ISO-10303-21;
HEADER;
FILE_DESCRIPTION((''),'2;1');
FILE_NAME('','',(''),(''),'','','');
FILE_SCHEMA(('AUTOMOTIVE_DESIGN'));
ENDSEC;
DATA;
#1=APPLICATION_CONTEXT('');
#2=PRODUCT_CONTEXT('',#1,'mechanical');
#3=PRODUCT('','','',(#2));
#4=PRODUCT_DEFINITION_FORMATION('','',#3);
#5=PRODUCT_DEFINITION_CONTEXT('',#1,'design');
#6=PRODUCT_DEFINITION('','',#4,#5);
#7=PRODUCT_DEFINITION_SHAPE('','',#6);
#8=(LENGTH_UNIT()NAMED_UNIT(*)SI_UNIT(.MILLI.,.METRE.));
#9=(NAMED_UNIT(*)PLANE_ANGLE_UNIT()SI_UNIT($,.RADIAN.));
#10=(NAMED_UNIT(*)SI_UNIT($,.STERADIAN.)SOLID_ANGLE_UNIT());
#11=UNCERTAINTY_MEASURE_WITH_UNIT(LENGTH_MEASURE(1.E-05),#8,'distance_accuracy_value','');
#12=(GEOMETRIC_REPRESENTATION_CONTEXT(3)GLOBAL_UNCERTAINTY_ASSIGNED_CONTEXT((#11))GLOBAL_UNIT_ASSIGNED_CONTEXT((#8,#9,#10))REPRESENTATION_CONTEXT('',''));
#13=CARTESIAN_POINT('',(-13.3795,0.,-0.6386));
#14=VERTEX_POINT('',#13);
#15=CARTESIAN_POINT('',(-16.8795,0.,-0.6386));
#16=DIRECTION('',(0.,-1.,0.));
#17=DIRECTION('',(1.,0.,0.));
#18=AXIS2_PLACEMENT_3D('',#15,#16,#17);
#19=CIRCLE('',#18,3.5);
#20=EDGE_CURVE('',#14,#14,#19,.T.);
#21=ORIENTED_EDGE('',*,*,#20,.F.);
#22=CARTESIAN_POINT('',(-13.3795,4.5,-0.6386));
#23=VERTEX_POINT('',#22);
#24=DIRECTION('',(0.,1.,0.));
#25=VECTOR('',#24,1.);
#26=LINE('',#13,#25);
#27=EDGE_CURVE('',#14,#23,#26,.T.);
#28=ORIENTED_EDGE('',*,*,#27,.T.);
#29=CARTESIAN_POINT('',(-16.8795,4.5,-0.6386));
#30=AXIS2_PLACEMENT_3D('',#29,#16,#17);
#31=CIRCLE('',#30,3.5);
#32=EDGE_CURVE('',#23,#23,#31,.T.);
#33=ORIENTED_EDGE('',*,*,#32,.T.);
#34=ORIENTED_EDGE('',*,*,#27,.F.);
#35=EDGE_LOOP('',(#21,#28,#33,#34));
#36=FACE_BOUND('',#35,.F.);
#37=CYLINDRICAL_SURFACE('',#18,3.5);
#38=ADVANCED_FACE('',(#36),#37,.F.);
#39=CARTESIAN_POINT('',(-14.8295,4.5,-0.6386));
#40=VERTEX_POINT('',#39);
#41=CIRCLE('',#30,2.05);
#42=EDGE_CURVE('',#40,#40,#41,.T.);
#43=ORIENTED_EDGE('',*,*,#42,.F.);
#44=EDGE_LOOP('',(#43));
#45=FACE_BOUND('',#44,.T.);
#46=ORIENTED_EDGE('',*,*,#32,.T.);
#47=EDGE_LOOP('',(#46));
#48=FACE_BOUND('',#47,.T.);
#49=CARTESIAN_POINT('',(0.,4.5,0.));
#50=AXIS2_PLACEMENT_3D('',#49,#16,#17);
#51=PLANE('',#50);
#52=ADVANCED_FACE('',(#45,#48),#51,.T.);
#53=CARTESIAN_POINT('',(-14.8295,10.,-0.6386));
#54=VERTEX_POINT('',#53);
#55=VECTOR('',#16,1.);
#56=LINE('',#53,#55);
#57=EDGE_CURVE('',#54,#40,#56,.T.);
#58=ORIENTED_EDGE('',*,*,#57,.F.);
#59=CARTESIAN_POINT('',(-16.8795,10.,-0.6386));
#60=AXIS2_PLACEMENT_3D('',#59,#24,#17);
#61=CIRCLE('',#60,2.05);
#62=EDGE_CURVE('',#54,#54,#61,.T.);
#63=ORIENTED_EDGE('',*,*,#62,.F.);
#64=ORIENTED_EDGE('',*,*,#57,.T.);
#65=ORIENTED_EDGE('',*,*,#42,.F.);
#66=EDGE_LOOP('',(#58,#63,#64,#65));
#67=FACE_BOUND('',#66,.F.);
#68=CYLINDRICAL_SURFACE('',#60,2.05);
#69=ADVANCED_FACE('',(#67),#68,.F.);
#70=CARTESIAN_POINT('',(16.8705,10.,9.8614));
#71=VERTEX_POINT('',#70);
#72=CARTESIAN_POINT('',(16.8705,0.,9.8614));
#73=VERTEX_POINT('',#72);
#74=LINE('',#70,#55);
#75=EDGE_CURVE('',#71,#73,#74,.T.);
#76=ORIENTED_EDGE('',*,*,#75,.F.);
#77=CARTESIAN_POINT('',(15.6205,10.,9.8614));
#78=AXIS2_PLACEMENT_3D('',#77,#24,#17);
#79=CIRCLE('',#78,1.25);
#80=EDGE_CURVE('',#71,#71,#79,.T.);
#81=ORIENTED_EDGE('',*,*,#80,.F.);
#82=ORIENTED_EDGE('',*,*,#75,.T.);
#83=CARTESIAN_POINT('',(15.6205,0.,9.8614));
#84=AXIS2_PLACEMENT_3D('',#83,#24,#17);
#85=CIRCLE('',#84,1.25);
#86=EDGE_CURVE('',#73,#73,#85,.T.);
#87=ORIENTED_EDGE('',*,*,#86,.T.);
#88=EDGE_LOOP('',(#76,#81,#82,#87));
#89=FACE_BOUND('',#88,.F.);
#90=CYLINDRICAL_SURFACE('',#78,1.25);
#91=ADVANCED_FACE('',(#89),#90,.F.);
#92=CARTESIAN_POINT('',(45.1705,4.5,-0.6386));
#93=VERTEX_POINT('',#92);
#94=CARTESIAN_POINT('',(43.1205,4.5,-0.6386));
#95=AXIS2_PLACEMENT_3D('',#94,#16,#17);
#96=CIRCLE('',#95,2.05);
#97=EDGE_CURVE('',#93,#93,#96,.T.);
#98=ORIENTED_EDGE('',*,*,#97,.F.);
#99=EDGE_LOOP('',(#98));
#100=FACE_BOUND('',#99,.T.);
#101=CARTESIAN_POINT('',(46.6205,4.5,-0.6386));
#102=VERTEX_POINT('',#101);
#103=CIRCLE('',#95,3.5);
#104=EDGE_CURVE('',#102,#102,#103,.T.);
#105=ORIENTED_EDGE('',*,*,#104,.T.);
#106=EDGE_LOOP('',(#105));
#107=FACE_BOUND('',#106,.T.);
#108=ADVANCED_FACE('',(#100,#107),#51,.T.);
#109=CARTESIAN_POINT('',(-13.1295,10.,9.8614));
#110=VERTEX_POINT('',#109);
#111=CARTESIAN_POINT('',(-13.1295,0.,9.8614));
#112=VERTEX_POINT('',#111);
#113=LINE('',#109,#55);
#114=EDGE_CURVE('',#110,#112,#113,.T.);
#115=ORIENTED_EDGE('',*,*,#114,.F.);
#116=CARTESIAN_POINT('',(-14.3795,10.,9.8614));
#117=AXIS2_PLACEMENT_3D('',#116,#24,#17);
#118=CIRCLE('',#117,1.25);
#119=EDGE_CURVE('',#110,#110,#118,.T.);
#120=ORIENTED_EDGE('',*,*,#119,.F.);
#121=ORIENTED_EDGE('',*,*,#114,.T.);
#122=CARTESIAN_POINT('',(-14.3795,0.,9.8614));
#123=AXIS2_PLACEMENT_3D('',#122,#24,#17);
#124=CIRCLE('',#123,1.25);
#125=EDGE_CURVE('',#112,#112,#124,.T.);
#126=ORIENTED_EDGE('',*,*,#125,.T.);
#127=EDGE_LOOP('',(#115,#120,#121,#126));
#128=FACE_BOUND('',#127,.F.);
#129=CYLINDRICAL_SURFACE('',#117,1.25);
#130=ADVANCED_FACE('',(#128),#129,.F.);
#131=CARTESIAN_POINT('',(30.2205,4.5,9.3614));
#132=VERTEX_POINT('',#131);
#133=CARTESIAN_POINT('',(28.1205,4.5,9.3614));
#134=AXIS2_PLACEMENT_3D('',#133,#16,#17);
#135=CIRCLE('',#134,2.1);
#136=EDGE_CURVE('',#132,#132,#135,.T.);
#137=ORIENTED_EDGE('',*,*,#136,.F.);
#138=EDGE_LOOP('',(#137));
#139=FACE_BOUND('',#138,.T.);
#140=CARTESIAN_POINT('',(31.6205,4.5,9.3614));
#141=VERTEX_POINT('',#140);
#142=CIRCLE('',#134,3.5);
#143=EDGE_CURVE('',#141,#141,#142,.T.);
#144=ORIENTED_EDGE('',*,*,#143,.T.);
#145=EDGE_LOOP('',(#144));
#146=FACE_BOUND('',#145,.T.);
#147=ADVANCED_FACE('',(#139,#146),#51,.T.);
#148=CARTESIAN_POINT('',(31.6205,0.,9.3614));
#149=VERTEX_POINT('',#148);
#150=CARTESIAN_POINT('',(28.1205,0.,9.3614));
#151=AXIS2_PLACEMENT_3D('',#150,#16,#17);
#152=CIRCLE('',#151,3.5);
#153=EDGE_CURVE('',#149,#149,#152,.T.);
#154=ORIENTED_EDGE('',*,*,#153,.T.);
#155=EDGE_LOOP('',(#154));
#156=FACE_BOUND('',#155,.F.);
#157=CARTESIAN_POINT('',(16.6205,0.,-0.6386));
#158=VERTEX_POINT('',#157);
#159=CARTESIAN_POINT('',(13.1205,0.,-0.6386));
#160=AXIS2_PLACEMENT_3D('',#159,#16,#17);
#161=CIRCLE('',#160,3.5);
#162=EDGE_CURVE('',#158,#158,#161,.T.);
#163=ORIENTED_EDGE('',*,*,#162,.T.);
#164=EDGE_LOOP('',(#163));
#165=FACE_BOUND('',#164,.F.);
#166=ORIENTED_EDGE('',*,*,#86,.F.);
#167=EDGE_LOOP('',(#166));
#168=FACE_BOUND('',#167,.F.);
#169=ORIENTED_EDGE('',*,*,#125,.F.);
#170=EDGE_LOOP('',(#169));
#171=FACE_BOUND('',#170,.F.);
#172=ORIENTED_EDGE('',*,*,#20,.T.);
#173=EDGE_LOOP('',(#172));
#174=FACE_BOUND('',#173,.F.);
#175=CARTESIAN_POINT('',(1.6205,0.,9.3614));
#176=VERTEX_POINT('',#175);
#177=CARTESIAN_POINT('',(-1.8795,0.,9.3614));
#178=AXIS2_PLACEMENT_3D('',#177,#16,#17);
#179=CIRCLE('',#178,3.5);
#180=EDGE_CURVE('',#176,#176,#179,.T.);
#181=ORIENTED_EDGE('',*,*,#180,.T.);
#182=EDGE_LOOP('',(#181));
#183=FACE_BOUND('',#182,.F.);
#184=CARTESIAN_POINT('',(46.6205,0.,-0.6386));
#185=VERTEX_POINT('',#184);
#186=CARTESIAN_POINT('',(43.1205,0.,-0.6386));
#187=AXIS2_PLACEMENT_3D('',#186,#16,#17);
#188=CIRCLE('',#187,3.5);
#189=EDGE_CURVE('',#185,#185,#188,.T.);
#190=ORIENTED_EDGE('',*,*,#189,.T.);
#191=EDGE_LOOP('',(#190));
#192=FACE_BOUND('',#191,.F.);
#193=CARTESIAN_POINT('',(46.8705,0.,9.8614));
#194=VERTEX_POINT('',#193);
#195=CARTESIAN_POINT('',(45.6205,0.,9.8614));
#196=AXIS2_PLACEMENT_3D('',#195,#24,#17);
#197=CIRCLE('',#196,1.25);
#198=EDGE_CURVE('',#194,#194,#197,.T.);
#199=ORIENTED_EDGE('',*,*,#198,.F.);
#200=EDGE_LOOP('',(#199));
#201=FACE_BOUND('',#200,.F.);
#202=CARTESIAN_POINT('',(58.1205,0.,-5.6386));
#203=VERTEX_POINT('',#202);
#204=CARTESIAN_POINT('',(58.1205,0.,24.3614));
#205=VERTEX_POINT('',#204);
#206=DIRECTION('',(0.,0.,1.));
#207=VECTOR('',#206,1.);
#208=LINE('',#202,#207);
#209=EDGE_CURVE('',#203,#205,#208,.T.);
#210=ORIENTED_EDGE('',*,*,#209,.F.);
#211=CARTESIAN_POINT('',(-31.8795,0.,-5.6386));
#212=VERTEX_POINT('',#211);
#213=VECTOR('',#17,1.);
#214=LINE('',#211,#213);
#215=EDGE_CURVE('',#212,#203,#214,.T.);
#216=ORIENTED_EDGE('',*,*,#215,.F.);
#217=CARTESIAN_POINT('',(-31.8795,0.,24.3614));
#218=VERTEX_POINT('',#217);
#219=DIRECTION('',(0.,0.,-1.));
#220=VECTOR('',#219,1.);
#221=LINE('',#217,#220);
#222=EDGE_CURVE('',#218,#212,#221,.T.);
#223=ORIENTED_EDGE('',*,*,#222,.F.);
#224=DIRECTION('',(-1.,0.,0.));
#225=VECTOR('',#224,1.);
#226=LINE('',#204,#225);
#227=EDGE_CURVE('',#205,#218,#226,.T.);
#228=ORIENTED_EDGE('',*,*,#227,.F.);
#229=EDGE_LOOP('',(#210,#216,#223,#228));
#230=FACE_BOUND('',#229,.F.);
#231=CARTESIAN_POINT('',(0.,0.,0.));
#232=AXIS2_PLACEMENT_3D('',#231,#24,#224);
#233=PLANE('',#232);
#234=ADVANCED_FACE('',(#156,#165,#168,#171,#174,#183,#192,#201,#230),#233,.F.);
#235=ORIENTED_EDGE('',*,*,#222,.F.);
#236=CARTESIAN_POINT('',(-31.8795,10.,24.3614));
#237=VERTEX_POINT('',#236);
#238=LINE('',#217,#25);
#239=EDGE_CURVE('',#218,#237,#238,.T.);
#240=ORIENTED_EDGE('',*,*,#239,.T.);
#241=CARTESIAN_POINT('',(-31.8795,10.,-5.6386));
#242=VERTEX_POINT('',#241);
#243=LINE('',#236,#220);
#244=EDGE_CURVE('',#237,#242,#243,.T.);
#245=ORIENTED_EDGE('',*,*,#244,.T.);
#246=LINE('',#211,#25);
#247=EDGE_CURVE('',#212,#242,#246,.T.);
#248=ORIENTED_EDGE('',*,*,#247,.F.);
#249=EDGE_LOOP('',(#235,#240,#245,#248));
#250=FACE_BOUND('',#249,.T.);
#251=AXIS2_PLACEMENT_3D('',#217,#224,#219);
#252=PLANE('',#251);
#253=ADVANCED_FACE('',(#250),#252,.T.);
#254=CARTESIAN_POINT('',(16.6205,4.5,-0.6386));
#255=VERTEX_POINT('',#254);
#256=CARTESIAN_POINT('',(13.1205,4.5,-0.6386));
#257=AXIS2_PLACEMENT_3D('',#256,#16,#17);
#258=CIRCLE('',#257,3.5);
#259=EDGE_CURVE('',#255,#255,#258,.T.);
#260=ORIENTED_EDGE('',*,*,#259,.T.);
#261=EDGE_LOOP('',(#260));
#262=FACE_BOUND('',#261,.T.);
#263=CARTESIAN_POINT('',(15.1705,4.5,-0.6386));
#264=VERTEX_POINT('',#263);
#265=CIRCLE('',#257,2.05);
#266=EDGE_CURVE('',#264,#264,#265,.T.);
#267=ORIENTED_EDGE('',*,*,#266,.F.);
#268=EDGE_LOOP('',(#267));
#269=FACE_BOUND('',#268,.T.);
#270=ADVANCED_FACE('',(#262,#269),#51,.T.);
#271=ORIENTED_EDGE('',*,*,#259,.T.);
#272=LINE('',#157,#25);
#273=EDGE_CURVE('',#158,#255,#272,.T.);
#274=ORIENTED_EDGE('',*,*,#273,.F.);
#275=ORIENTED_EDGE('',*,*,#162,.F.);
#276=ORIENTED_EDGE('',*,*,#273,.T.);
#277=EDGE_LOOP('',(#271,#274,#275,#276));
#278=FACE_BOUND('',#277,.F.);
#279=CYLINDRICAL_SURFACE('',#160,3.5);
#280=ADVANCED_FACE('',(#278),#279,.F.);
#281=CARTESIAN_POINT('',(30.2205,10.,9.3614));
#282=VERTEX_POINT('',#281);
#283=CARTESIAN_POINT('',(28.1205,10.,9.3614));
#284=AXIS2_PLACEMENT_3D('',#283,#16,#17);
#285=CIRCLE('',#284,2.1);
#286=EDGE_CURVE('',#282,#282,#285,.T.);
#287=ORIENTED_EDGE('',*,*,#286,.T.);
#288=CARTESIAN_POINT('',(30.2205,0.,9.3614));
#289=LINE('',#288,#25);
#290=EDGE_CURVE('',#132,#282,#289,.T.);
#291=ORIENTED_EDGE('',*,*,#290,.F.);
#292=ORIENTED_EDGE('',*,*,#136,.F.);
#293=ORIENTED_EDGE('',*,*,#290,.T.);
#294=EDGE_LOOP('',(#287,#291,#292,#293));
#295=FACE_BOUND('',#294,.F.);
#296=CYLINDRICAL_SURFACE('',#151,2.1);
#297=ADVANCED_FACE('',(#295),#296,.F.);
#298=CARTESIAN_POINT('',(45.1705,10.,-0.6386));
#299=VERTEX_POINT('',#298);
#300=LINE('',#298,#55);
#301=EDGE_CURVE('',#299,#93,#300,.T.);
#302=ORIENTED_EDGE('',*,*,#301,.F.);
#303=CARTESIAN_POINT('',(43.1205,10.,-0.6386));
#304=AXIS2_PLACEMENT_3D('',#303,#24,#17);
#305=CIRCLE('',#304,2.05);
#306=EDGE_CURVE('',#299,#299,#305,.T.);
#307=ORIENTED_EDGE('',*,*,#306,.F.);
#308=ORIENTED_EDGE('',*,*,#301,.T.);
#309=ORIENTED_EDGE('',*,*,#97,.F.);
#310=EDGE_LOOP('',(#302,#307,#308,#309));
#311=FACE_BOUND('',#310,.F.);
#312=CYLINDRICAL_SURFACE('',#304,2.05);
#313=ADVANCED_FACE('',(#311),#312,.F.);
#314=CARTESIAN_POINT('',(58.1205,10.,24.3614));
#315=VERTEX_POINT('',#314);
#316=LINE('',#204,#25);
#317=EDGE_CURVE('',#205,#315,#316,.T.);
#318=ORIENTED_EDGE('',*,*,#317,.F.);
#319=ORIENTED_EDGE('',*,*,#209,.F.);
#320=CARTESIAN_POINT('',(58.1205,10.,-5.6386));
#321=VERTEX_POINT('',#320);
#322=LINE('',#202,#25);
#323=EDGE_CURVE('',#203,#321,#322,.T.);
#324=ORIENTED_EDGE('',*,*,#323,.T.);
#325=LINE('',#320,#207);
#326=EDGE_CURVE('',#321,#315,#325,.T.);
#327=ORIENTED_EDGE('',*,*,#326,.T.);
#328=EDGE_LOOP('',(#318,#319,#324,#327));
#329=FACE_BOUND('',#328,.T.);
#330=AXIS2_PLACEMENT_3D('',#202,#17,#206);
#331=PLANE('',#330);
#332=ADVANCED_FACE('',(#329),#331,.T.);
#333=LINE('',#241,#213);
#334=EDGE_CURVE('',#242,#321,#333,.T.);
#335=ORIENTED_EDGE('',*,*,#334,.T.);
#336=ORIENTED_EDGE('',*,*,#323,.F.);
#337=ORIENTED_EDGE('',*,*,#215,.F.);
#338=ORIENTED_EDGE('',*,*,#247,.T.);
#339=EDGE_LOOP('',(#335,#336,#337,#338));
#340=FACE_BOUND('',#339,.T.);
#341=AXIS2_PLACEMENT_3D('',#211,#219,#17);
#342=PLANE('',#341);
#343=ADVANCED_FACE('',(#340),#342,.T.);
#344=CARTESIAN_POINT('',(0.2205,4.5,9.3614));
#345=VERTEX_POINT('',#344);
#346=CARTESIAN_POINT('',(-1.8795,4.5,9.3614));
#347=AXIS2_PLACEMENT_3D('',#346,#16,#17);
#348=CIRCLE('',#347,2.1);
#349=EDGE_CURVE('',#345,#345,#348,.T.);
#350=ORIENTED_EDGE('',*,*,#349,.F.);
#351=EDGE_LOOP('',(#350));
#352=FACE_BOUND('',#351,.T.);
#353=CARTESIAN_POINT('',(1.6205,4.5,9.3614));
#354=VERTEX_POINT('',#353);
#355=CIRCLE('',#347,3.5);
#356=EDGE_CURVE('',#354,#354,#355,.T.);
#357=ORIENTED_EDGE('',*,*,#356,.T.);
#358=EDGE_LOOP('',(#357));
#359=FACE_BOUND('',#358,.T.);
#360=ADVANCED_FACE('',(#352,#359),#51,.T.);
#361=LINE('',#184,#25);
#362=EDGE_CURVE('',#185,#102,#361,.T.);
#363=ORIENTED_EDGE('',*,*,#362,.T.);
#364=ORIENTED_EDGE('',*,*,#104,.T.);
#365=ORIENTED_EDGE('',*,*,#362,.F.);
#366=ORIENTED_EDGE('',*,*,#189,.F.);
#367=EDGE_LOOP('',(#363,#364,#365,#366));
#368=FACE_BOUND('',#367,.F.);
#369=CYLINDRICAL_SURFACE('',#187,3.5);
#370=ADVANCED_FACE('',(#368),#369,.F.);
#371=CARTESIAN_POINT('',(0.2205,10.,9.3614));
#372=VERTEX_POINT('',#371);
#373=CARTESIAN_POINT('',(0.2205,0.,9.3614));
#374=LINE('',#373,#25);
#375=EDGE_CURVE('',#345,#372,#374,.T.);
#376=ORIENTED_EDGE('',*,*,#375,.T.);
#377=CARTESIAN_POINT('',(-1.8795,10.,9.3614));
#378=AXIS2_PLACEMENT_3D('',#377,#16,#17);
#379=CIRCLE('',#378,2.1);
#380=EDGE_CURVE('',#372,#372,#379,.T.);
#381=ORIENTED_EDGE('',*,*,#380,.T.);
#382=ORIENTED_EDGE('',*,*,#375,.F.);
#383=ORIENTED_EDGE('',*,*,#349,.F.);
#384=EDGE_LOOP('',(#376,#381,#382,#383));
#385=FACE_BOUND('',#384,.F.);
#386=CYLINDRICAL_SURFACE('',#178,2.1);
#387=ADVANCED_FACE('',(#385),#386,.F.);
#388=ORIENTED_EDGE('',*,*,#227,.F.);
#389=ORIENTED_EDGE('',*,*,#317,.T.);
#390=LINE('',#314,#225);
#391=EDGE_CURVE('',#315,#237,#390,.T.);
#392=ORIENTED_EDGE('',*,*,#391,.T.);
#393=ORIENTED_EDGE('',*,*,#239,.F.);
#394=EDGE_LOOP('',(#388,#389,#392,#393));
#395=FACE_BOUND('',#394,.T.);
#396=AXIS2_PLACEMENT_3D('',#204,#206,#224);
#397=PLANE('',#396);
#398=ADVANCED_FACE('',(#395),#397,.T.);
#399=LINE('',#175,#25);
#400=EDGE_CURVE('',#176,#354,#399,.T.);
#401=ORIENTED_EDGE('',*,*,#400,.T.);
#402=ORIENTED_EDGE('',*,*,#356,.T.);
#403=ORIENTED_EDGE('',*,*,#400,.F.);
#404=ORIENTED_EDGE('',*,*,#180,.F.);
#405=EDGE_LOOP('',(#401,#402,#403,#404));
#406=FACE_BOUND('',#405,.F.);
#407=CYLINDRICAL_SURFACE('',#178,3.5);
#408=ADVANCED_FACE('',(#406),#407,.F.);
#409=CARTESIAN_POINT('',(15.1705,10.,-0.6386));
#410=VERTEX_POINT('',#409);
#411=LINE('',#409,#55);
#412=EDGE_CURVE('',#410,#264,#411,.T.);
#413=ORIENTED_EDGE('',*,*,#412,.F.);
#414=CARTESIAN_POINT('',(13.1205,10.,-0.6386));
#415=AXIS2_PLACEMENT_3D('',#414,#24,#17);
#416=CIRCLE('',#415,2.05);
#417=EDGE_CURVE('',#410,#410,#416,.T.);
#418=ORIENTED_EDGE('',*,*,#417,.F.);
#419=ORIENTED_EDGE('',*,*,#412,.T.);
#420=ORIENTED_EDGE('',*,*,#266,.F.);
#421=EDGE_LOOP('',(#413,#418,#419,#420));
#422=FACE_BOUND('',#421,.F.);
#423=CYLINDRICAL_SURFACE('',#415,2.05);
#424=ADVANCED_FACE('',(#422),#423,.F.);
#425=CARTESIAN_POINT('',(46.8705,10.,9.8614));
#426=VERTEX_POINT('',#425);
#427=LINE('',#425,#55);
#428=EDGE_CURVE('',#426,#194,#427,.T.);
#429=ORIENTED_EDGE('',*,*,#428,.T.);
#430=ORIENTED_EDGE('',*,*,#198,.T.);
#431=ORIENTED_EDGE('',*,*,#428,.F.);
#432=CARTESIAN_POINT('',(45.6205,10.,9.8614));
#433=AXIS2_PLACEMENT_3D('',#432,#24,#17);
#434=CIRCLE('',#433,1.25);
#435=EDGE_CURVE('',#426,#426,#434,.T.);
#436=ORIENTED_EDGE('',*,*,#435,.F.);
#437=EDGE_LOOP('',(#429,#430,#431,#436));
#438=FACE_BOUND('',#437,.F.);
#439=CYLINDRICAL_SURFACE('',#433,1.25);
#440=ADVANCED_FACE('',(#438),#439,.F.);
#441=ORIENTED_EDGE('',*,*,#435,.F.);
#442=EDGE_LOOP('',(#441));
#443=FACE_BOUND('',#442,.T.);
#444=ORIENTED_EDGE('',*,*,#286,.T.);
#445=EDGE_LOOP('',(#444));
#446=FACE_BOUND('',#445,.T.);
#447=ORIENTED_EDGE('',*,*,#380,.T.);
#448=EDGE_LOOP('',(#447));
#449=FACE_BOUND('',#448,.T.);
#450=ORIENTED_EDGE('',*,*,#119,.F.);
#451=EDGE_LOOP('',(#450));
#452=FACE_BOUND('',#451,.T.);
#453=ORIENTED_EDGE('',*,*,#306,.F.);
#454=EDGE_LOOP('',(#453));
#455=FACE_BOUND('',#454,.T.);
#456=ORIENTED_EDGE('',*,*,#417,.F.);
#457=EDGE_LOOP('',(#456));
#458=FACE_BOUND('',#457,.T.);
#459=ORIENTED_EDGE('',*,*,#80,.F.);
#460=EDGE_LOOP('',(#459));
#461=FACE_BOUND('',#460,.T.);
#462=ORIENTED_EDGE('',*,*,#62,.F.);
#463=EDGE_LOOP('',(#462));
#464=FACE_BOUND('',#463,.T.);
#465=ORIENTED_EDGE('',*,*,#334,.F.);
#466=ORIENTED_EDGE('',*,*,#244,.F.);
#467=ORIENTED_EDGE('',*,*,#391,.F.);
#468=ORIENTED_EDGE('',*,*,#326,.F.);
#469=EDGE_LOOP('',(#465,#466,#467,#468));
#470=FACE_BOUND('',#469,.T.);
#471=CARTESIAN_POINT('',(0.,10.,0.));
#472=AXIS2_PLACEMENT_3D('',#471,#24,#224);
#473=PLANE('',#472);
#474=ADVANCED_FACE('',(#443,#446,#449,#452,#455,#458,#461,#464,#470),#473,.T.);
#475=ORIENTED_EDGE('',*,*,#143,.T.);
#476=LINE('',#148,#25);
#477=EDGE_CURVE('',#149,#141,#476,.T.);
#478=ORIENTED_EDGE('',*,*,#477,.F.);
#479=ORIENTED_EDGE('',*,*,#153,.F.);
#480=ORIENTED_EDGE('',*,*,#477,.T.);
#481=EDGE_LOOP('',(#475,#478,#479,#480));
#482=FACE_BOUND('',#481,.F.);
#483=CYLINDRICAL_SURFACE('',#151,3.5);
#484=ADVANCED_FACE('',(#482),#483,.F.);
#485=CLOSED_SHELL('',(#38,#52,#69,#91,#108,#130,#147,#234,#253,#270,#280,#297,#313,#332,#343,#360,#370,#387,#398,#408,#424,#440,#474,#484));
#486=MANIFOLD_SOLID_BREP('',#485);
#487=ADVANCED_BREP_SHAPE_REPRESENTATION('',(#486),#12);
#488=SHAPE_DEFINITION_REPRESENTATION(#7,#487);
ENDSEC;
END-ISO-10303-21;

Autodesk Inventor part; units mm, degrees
ref_plane "YZ Plane" through (0, 0, 0) normal (1, 0, 0) x (0, 1, 0)
ref_plane "XZ Plane" through (0, 0, 0) normal (0, 1, 0) x (-1, 0, 0)
ref_plane "XY Plane" through (0, 0, 0) normal (0, 0, 1) x (1, 0, 0)
sketch "Sketch1" plane through (0, 0, 0) normal (0, 1, 0) x (-1, 0, 0)
  line L0 (31.8795, -5.6386) -> (-58.1205, -5.6386)
  line L1 (-58.1205, -5.6386) -> (-58.1205, 24.3614)
  line L2 (-58.1205, 24.3614) -> (31.8795, 24.3614)
  line L3 (31.8795, 24.3614) -> (31.8795, -5.6386)
  point P0 (0, 0)
  dimension "d0" = 90
  dimension "d5" = 30
extrude "Extrusion1" add sketch "Sketch1" along normal blind 10
sketch "Sketch2" plane through (0, 10, 0) normal (0, 1, 0) x (1, 0, 0)
  line L0 (58.1205, 5.6386) -> (-31.8795, 5.6386) projected
  line L1 (-31.8795, 5.6386) -> (-31.8795, -24.3614) projected
  circle A0 centre (-16.8795, 0.6386) radius 2.05
  circle A1 centre (13.1205, 0.6386) radius 2.05
  circle A2 centre (43.1205, 0.6386) radius 2.05
  point P0 (0, 0)
  dimension "d8" = 4.1
  dimension "d10" = 4.1
  dimension "d11" = 4.1
  dimension "d12" = 5
  dimension "d13" = 5
  dimension "d14" = 5
  dimension "d15" = 15
  dimension "d16" = 30
  dimension "d17" = 30
extrude "Extrusion2" cut sketch "Sketch2" against normal blind 10
sketch "Sketch4" plane through (0, 0, 0) normal (0, -1, 0) x (1, 0, 0)
  circle A0 centre (13.1205, -0.6386) radius 2.05 projected
  circle A1 centre (-16.8795, -0.6386) radius 2.05 projected
  circle A2 centre (43.1205, -0.6386) radius 2.05 projected
  circle A3 centre (-16.8795, -0.6386) radius 3.5
  circle A4 centre (13.1205, -0.6386) radius 3.5
  circle A5 centre (43.1205, -0.6386) radius 3.5
  point P0 (0, 0)
  dimension "d26" = 7
  dimension "d28" = 7
  dimension "d29" = 7
extrude "Extrusion4" cut sketch "Sketch4" against normal blind 4.5
sketch "Sketch5" plane through (0, 0, 0) normal (0, -1, 0) x (1, 0, 0)
  line L0 (58.1205, -5.6386) -> (58.1205, 24.3614) projected
  line L1 (58.1205, 24.3614) -> (-31.8795, 24.3614) projected
  line L2 (-31.8795, 24.3614) -> (-31.8795, -5.6386) projected
  circle A0 centre (-1.8795, 9.3614) radius 2.1
  circle A1 centre (28.1205, 9.3614) radius 2.1
  point P0 (0, 0)
  dimension "d32" = 4.2
  dimension "d34" = 4.2
  dimension "d35" = 30
  dimension "d36" = 30
  dimension "d37" = 15
  dimension "d38" = 15
extrude "Extrusion5" cut sketch "Sketch5" against normal blind 10
sketch "Sketch6" plane through (0, 0, 0) normal (0, -1, 0) x (1, 0, 0)
  circle A0 centre (-1.8795, 9.3614) radius 2.1 projected
  circle A1 centre (28.1205, 9.3614) radius 2.1 projected
  circle A2 centre (-1.8795, 9.3614) radius 3.5
  circle A3 centre (28.1205, 9.3614) radius 3.5
  point P0 (0, 0)
  dimension "d41" = 7
  dimension "d43" = 7
extrude "Extrusion6" cut sketch "Sketch6" against normal blind 4.5
sketch "Sketch7" plane through (0, 10, 0) normal (0, 1, 0) x (1, 0, 0)
  line L0 (-31.8795, -24.3614) -> (58.1205, -24.3614) projected
  line L1 (58.1205, -24.3614) -> (58.1205, 5.6386) projected
  circle A0 centre (45.6205, -9.8614) radius 1.25
  circle A1 centre (15.6205, -9.8614) radius 1.25
  circle A2 centre (-14.3795, -9.8614) radius 1.25
  point P0 (0, 0)
  dimension "d46" = 2.5
  dimension "d48" = 2.5
  dimension "d49" = 2.5
  dimension "d50" = 12.5
  dimension "d51" = 14.5
  dimension "d52" = 30
  dimension "d53" = 30
  dimension "d54" = 14.5
  dimension "d55" = 14.5
extrude "Extrusion7" cut sketch "Sketch7" against normal blind 20
equation "\"d10\" = d8"
equation "\"d11\" = d8"
equation "\"d13\" = d12"
equation "\"d14\" = d12"
equation "\"d28\" = d26"
equation "\"d29\" = d26"
properties part number "AgarMouldBottomV3"
